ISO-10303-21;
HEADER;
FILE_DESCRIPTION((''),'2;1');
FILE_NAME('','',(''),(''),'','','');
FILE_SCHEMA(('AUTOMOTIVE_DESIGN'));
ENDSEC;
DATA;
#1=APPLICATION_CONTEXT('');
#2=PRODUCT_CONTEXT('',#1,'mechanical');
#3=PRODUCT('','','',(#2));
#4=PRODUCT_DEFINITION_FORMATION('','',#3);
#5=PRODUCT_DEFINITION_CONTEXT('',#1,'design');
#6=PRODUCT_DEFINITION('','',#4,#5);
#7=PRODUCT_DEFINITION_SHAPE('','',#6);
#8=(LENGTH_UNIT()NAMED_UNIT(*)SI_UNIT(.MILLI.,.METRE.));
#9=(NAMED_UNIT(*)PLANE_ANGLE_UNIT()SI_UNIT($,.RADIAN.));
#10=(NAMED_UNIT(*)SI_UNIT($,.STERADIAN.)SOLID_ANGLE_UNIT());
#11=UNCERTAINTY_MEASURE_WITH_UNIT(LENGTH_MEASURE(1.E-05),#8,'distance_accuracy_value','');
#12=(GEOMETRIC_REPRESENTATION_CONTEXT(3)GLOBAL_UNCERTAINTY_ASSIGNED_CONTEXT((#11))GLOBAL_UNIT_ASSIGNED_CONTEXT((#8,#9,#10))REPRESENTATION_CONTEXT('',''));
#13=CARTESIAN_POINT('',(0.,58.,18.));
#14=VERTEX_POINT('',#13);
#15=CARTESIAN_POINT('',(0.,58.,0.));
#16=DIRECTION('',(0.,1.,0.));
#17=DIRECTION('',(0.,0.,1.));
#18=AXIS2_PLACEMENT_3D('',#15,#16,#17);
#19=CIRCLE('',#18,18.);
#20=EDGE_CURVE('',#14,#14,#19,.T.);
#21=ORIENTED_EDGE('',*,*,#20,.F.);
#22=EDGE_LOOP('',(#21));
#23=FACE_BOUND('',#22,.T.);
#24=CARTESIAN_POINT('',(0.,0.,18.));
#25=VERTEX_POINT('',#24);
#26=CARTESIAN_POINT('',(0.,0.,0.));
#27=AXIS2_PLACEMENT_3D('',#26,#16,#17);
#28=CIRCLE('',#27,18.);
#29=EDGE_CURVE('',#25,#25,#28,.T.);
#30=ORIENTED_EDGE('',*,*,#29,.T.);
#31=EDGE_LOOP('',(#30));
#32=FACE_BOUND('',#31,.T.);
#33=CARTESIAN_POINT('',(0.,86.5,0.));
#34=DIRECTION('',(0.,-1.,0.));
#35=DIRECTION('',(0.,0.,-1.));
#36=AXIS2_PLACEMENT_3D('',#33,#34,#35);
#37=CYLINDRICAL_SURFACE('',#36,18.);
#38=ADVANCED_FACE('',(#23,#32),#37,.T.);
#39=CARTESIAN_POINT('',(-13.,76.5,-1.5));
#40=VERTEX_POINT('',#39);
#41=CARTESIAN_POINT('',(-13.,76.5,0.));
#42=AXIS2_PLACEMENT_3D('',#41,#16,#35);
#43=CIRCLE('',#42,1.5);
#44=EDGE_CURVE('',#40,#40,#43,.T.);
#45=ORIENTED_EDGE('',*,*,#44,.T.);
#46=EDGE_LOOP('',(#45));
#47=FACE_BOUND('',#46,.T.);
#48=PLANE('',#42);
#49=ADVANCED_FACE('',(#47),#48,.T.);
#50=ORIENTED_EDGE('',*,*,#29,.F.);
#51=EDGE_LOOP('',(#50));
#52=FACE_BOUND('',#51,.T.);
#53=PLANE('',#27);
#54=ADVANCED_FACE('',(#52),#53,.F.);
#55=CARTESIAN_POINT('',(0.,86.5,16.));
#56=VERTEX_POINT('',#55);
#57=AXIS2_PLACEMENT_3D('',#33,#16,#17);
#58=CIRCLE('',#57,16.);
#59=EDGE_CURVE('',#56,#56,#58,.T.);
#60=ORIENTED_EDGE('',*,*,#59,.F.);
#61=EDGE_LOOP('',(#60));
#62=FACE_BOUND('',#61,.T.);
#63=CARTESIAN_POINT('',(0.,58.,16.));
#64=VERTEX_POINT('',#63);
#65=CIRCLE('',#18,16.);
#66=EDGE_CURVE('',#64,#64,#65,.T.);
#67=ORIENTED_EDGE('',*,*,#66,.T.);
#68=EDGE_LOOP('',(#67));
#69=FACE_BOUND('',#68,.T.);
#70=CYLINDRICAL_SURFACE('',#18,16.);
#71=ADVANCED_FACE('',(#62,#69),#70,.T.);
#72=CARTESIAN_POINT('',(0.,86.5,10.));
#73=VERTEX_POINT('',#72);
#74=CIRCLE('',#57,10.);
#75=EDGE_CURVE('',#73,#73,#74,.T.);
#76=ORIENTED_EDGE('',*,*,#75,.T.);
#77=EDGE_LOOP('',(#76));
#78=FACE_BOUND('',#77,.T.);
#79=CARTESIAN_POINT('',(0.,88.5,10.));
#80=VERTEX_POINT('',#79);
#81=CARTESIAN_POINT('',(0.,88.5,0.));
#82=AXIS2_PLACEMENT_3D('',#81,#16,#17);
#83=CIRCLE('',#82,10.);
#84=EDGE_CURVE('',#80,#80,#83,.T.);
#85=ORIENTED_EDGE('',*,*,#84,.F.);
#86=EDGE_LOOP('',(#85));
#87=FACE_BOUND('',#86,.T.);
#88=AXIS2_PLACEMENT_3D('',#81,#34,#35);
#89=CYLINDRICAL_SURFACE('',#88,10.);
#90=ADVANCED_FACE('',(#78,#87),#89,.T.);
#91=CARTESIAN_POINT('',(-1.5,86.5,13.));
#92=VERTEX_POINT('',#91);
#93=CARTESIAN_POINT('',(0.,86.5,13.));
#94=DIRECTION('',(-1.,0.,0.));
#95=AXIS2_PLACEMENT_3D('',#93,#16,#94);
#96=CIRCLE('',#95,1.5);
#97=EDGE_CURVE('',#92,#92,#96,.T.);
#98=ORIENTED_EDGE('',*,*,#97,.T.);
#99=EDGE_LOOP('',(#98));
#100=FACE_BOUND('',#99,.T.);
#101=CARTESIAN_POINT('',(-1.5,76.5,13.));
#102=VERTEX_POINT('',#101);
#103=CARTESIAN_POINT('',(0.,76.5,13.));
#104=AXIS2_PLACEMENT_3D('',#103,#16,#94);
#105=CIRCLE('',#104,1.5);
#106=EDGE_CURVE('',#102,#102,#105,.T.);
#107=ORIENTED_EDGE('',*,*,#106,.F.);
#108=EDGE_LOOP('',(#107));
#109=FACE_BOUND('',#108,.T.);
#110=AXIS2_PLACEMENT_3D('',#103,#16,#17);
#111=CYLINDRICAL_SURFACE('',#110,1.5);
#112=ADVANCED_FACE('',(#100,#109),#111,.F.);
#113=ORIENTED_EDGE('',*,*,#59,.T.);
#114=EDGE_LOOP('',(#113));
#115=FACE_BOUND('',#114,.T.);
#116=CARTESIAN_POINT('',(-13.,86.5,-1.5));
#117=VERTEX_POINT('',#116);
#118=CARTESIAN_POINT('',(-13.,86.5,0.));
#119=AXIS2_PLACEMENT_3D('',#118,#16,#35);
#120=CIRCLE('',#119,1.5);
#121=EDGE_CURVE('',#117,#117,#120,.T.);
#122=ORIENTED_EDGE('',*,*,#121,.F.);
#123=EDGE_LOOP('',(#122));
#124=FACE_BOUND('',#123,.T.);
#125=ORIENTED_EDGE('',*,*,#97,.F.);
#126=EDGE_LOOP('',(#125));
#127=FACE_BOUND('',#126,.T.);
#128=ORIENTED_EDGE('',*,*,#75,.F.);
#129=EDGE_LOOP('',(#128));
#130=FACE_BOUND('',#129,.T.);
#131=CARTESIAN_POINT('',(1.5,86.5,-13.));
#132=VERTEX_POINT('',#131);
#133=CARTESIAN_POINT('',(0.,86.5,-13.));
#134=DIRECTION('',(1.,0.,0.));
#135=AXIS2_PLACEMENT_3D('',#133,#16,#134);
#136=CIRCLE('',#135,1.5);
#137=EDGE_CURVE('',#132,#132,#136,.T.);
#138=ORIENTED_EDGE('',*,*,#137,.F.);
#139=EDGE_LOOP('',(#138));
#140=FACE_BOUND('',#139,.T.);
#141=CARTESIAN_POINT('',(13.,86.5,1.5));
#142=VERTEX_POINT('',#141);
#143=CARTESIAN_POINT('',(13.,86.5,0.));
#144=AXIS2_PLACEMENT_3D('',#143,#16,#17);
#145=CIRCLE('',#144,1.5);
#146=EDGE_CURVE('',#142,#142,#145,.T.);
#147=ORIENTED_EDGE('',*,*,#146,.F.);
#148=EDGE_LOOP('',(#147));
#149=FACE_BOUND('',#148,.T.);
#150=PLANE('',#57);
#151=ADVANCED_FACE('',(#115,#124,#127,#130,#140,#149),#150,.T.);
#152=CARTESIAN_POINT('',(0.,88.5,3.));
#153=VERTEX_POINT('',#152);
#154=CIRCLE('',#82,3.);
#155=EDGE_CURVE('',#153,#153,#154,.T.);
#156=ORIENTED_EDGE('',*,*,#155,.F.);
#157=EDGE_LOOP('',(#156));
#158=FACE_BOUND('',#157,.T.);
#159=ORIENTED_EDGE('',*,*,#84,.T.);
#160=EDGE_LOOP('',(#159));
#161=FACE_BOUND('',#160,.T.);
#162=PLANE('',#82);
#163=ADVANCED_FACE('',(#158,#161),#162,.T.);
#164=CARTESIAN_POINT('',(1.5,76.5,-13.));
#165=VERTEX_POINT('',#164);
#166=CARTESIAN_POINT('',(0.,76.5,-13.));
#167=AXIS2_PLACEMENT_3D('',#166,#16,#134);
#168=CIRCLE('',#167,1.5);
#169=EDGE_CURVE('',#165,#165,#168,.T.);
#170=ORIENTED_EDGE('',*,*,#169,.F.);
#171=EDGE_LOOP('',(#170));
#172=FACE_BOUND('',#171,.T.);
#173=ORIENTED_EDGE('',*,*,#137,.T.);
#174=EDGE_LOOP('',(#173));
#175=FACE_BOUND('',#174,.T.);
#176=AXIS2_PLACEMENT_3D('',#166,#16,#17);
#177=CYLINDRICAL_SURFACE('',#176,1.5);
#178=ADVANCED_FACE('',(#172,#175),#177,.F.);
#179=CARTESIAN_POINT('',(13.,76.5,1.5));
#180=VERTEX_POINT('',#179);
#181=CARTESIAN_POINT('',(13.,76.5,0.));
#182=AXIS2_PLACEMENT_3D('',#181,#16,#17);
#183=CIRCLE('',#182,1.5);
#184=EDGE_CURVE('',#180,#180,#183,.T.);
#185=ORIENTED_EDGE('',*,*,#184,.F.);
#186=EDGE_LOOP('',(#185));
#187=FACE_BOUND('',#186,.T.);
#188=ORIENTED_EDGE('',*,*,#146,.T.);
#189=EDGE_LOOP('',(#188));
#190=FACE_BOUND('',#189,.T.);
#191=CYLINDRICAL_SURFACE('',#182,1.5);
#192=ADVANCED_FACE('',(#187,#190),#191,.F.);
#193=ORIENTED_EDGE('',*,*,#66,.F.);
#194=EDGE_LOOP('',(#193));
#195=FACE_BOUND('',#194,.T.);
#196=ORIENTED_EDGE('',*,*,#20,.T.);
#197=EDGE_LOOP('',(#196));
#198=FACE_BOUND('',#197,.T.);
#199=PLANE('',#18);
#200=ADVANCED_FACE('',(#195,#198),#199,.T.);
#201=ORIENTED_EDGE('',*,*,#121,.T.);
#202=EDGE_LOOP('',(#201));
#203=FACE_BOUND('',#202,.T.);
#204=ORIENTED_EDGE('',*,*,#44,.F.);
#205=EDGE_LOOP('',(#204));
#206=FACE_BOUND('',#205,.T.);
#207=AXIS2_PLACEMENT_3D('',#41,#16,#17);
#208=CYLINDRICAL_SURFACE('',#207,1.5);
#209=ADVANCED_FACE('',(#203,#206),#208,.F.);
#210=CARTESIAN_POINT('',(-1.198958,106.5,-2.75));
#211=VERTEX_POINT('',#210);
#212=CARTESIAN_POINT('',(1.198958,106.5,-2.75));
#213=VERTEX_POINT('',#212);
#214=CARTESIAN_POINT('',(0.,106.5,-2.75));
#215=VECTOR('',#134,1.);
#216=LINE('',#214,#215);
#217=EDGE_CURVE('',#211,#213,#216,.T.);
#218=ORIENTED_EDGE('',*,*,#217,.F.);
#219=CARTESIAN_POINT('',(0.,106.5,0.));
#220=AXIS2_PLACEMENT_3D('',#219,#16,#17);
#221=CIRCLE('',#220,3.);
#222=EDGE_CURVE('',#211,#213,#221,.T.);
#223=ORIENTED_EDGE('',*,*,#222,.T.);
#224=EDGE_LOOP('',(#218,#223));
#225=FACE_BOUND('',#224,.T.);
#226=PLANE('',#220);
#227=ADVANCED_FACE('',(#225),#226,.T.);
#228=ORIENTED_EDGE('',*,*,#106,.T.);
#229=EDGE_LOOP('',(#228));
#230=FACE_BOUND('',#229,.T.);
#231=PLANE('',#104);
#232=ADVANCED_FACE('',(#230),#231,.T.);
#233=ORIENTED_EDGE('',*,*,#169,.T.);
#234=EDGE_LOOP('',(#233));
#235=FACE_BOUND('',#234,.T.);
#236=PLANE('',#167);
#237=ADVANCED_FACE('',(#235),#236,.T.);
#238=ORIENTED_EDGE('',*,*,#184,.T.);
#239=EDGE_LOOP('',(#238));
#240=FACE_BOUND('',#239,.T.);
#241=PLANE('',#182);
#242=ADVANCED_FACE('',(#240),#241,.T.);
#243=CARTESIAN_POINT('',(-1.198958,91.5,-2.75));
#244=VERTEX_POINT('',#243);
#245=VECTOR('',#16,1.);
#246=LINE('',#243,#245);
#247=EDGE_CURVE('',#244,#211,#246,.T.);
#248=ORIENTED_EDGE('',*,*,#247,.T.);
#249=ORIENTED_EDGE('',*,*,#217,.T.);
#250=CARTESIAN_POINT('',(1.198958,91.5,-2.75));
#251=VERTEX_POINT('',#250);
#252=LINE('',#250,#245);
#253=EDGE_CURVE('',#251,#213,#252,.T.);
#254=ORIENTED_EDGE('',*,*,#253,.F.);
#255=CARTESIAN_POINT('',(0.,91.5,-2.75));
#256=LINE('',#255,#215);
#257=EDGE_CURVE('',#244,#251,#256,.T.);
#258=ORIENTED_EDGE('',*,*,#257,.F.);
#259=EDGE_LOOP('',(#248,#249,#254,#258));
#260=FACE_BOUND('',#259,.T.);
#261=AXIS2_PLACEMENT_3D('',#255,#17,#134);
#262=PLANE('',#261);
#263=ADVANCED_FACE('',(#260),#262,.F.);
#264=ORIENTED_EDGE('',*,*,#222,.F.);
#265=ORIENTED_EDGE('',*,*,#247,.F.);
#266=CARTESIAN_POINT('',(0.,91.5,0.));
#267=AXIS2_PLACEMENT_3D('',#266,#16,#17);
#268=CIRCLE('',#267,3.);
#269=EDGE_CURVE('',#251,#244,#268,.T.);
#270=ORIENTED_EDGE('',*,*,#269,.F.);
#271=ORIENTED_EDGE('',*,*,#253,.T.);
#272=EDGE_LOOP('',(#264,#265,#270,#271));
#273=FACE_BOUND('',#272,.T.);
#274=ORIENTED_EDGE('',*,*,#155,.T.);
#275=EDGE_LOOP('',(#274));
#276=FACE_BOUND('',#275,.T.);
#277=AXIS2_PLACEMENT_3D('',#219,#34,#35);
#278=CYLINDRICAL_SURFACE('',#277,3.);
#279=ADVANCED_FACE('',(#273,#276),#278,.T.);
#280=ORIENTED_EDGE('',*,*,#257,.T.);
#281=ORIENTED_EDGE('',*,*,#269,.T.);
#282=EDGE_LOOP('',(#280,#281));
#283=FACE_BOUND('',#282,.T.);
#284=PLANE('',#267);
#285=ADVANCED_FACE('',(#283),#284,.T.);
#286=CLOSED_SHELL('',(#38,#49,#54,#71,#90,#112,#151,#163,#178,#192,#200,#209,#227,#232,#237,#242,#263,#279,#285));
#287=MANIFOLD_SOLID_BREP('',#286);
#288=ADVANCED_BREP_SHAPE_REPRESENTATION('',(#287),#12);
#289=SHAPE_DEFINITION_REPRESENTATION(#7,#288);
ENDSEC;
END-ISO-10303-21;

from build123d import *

# Parameters (mm, degrees)
ESQUISSE1_R                  = 18
BOSS_EXTRU_1_DEPTH           = 86.5
ESQUISSE2_R                  = 10
BOSS_EXTRU_2_DEPTH           = 2
ESQUISSE3_R                  = 3
BOSS_EXTRU_3_DEPTH           = 18
ENL_V_START                  = -15
ENL_V_MAT_EXTRU_1_DEPTH      = 15
ESQUISSE6_R                  = 1.5
ENL_V_MAT_EXTRU_2_DEPTH      = 10
R_P_TITION_CIRCULAIRE1_COUNT = 4
ENL_V_START_2                = -28.5
ESQUISSE7_R                  = 18
ESQUISSE7_R_2                = 16
ENL_V_MAT_EXTRU_3_DEPTH      = 28.5


with BuildPart() as part:
    # Esquisse1 → Boss.-Extru.1 (new body)
    with BuildSketch(Plane(origin=(0, 0, 0), x_dir=(1, 0, 0), z_dir=(0, 1, 0))):
        Circle(ESQUISSE1_R)
    extrude(amount=BOSS_EXTRU_1_DEPTH)

    # Esquisse2 → Boss.-Extru.2 (add)
    with BuildSketch(Plane(origin=(0, 86.5, 0), x_dir=(1, 0, 0), z_dir=(0, 1, 0))):
        Circle(ESQUISSE2_R)
    extrude(amount=BOSS_EXTRU_2_DEPTH)

    # Esquisse3 → Boss.-Extru.3 (add)
    with BuildSketch(Plane(origin=(0, 88.5, 0), x_dir=(1, 0, 0), z_dir=(0, 1, 0))):
        Circle(ESQUISSE3_R)
    extrude(amount=BOSS_EXTRU_3_DEPTH)

    # Esquisse4 → Enlèv. mat.-Extru.1 (cut)
    with BuildSketch(Plane(origin=(0, 106.5, 0), x_dir=(1, 0, 0), z_dir=(0, 1, 0)).offset(ENL_V_START)):
        with BuildLine():
            ThreePointArc((1.198957881, 2.75), (0, 3), (-1.198957881, 2.75))
            Line((-1.198957881, 2.75), (0, 2.75))
            Line((0, 2.75), (1.198957881, 2.75))
        make_face()
    extrude(amount=ENL_V_MAT_EXTRU_1_DEPTH, mode=Mode.SUBTRACT)

    # Esquisse6 → Enlèv. mat.-Extru.2 (cut)
    with BuildSketch(Plane(origin=(0, 86.5, 0), x_dir=(1, 0, 0), z_dir=(0, 1, 0))):
        with Locations((13, 0)):
            Circle(ESQUISSE6_R)
    enl_v_mat_extru_2 = extrude(amount=-ENL_V_MAT_EXTRU_2_DEPTH, mode=Mode.SUBTRACT)

    # Répétition circulaire1: Enlèv. mat.-Extru.2 ×4 about axis
    r_p_tition_circulaire1_axis = Axis((0, -10.575, 0), (0, 1, 0))
    for i in range(1, R_P_TITION_CIRCULAIRE1_COUNT):
        add(enl_v_mat_extru_2.rotate(r_p_tition_circulaire1_axis, i * 360 / R_P_TITION_CIRCULAIRE1_COUNT), mode=Mode.SUBTRACT)

    # Esquisse7 → Enlèv. mat.-Extru.3 (cut)
    with BuildSketch(Plane(origin=(0, 86.5, 0), x_dir=(1, 0, 0), z_dir=(0, 1, 0)).offset(ENL_V_START_2)):
        Circle(ESQUISSE7_R)
        Circle(ESQUISSE7_R_2, mode=Mode.SUBTRACT)
    extrude(amount=ENL_V_MAT_EXTRU_3_DEPTH, mode=Mode.SUBTRACT)


solid = part.part
